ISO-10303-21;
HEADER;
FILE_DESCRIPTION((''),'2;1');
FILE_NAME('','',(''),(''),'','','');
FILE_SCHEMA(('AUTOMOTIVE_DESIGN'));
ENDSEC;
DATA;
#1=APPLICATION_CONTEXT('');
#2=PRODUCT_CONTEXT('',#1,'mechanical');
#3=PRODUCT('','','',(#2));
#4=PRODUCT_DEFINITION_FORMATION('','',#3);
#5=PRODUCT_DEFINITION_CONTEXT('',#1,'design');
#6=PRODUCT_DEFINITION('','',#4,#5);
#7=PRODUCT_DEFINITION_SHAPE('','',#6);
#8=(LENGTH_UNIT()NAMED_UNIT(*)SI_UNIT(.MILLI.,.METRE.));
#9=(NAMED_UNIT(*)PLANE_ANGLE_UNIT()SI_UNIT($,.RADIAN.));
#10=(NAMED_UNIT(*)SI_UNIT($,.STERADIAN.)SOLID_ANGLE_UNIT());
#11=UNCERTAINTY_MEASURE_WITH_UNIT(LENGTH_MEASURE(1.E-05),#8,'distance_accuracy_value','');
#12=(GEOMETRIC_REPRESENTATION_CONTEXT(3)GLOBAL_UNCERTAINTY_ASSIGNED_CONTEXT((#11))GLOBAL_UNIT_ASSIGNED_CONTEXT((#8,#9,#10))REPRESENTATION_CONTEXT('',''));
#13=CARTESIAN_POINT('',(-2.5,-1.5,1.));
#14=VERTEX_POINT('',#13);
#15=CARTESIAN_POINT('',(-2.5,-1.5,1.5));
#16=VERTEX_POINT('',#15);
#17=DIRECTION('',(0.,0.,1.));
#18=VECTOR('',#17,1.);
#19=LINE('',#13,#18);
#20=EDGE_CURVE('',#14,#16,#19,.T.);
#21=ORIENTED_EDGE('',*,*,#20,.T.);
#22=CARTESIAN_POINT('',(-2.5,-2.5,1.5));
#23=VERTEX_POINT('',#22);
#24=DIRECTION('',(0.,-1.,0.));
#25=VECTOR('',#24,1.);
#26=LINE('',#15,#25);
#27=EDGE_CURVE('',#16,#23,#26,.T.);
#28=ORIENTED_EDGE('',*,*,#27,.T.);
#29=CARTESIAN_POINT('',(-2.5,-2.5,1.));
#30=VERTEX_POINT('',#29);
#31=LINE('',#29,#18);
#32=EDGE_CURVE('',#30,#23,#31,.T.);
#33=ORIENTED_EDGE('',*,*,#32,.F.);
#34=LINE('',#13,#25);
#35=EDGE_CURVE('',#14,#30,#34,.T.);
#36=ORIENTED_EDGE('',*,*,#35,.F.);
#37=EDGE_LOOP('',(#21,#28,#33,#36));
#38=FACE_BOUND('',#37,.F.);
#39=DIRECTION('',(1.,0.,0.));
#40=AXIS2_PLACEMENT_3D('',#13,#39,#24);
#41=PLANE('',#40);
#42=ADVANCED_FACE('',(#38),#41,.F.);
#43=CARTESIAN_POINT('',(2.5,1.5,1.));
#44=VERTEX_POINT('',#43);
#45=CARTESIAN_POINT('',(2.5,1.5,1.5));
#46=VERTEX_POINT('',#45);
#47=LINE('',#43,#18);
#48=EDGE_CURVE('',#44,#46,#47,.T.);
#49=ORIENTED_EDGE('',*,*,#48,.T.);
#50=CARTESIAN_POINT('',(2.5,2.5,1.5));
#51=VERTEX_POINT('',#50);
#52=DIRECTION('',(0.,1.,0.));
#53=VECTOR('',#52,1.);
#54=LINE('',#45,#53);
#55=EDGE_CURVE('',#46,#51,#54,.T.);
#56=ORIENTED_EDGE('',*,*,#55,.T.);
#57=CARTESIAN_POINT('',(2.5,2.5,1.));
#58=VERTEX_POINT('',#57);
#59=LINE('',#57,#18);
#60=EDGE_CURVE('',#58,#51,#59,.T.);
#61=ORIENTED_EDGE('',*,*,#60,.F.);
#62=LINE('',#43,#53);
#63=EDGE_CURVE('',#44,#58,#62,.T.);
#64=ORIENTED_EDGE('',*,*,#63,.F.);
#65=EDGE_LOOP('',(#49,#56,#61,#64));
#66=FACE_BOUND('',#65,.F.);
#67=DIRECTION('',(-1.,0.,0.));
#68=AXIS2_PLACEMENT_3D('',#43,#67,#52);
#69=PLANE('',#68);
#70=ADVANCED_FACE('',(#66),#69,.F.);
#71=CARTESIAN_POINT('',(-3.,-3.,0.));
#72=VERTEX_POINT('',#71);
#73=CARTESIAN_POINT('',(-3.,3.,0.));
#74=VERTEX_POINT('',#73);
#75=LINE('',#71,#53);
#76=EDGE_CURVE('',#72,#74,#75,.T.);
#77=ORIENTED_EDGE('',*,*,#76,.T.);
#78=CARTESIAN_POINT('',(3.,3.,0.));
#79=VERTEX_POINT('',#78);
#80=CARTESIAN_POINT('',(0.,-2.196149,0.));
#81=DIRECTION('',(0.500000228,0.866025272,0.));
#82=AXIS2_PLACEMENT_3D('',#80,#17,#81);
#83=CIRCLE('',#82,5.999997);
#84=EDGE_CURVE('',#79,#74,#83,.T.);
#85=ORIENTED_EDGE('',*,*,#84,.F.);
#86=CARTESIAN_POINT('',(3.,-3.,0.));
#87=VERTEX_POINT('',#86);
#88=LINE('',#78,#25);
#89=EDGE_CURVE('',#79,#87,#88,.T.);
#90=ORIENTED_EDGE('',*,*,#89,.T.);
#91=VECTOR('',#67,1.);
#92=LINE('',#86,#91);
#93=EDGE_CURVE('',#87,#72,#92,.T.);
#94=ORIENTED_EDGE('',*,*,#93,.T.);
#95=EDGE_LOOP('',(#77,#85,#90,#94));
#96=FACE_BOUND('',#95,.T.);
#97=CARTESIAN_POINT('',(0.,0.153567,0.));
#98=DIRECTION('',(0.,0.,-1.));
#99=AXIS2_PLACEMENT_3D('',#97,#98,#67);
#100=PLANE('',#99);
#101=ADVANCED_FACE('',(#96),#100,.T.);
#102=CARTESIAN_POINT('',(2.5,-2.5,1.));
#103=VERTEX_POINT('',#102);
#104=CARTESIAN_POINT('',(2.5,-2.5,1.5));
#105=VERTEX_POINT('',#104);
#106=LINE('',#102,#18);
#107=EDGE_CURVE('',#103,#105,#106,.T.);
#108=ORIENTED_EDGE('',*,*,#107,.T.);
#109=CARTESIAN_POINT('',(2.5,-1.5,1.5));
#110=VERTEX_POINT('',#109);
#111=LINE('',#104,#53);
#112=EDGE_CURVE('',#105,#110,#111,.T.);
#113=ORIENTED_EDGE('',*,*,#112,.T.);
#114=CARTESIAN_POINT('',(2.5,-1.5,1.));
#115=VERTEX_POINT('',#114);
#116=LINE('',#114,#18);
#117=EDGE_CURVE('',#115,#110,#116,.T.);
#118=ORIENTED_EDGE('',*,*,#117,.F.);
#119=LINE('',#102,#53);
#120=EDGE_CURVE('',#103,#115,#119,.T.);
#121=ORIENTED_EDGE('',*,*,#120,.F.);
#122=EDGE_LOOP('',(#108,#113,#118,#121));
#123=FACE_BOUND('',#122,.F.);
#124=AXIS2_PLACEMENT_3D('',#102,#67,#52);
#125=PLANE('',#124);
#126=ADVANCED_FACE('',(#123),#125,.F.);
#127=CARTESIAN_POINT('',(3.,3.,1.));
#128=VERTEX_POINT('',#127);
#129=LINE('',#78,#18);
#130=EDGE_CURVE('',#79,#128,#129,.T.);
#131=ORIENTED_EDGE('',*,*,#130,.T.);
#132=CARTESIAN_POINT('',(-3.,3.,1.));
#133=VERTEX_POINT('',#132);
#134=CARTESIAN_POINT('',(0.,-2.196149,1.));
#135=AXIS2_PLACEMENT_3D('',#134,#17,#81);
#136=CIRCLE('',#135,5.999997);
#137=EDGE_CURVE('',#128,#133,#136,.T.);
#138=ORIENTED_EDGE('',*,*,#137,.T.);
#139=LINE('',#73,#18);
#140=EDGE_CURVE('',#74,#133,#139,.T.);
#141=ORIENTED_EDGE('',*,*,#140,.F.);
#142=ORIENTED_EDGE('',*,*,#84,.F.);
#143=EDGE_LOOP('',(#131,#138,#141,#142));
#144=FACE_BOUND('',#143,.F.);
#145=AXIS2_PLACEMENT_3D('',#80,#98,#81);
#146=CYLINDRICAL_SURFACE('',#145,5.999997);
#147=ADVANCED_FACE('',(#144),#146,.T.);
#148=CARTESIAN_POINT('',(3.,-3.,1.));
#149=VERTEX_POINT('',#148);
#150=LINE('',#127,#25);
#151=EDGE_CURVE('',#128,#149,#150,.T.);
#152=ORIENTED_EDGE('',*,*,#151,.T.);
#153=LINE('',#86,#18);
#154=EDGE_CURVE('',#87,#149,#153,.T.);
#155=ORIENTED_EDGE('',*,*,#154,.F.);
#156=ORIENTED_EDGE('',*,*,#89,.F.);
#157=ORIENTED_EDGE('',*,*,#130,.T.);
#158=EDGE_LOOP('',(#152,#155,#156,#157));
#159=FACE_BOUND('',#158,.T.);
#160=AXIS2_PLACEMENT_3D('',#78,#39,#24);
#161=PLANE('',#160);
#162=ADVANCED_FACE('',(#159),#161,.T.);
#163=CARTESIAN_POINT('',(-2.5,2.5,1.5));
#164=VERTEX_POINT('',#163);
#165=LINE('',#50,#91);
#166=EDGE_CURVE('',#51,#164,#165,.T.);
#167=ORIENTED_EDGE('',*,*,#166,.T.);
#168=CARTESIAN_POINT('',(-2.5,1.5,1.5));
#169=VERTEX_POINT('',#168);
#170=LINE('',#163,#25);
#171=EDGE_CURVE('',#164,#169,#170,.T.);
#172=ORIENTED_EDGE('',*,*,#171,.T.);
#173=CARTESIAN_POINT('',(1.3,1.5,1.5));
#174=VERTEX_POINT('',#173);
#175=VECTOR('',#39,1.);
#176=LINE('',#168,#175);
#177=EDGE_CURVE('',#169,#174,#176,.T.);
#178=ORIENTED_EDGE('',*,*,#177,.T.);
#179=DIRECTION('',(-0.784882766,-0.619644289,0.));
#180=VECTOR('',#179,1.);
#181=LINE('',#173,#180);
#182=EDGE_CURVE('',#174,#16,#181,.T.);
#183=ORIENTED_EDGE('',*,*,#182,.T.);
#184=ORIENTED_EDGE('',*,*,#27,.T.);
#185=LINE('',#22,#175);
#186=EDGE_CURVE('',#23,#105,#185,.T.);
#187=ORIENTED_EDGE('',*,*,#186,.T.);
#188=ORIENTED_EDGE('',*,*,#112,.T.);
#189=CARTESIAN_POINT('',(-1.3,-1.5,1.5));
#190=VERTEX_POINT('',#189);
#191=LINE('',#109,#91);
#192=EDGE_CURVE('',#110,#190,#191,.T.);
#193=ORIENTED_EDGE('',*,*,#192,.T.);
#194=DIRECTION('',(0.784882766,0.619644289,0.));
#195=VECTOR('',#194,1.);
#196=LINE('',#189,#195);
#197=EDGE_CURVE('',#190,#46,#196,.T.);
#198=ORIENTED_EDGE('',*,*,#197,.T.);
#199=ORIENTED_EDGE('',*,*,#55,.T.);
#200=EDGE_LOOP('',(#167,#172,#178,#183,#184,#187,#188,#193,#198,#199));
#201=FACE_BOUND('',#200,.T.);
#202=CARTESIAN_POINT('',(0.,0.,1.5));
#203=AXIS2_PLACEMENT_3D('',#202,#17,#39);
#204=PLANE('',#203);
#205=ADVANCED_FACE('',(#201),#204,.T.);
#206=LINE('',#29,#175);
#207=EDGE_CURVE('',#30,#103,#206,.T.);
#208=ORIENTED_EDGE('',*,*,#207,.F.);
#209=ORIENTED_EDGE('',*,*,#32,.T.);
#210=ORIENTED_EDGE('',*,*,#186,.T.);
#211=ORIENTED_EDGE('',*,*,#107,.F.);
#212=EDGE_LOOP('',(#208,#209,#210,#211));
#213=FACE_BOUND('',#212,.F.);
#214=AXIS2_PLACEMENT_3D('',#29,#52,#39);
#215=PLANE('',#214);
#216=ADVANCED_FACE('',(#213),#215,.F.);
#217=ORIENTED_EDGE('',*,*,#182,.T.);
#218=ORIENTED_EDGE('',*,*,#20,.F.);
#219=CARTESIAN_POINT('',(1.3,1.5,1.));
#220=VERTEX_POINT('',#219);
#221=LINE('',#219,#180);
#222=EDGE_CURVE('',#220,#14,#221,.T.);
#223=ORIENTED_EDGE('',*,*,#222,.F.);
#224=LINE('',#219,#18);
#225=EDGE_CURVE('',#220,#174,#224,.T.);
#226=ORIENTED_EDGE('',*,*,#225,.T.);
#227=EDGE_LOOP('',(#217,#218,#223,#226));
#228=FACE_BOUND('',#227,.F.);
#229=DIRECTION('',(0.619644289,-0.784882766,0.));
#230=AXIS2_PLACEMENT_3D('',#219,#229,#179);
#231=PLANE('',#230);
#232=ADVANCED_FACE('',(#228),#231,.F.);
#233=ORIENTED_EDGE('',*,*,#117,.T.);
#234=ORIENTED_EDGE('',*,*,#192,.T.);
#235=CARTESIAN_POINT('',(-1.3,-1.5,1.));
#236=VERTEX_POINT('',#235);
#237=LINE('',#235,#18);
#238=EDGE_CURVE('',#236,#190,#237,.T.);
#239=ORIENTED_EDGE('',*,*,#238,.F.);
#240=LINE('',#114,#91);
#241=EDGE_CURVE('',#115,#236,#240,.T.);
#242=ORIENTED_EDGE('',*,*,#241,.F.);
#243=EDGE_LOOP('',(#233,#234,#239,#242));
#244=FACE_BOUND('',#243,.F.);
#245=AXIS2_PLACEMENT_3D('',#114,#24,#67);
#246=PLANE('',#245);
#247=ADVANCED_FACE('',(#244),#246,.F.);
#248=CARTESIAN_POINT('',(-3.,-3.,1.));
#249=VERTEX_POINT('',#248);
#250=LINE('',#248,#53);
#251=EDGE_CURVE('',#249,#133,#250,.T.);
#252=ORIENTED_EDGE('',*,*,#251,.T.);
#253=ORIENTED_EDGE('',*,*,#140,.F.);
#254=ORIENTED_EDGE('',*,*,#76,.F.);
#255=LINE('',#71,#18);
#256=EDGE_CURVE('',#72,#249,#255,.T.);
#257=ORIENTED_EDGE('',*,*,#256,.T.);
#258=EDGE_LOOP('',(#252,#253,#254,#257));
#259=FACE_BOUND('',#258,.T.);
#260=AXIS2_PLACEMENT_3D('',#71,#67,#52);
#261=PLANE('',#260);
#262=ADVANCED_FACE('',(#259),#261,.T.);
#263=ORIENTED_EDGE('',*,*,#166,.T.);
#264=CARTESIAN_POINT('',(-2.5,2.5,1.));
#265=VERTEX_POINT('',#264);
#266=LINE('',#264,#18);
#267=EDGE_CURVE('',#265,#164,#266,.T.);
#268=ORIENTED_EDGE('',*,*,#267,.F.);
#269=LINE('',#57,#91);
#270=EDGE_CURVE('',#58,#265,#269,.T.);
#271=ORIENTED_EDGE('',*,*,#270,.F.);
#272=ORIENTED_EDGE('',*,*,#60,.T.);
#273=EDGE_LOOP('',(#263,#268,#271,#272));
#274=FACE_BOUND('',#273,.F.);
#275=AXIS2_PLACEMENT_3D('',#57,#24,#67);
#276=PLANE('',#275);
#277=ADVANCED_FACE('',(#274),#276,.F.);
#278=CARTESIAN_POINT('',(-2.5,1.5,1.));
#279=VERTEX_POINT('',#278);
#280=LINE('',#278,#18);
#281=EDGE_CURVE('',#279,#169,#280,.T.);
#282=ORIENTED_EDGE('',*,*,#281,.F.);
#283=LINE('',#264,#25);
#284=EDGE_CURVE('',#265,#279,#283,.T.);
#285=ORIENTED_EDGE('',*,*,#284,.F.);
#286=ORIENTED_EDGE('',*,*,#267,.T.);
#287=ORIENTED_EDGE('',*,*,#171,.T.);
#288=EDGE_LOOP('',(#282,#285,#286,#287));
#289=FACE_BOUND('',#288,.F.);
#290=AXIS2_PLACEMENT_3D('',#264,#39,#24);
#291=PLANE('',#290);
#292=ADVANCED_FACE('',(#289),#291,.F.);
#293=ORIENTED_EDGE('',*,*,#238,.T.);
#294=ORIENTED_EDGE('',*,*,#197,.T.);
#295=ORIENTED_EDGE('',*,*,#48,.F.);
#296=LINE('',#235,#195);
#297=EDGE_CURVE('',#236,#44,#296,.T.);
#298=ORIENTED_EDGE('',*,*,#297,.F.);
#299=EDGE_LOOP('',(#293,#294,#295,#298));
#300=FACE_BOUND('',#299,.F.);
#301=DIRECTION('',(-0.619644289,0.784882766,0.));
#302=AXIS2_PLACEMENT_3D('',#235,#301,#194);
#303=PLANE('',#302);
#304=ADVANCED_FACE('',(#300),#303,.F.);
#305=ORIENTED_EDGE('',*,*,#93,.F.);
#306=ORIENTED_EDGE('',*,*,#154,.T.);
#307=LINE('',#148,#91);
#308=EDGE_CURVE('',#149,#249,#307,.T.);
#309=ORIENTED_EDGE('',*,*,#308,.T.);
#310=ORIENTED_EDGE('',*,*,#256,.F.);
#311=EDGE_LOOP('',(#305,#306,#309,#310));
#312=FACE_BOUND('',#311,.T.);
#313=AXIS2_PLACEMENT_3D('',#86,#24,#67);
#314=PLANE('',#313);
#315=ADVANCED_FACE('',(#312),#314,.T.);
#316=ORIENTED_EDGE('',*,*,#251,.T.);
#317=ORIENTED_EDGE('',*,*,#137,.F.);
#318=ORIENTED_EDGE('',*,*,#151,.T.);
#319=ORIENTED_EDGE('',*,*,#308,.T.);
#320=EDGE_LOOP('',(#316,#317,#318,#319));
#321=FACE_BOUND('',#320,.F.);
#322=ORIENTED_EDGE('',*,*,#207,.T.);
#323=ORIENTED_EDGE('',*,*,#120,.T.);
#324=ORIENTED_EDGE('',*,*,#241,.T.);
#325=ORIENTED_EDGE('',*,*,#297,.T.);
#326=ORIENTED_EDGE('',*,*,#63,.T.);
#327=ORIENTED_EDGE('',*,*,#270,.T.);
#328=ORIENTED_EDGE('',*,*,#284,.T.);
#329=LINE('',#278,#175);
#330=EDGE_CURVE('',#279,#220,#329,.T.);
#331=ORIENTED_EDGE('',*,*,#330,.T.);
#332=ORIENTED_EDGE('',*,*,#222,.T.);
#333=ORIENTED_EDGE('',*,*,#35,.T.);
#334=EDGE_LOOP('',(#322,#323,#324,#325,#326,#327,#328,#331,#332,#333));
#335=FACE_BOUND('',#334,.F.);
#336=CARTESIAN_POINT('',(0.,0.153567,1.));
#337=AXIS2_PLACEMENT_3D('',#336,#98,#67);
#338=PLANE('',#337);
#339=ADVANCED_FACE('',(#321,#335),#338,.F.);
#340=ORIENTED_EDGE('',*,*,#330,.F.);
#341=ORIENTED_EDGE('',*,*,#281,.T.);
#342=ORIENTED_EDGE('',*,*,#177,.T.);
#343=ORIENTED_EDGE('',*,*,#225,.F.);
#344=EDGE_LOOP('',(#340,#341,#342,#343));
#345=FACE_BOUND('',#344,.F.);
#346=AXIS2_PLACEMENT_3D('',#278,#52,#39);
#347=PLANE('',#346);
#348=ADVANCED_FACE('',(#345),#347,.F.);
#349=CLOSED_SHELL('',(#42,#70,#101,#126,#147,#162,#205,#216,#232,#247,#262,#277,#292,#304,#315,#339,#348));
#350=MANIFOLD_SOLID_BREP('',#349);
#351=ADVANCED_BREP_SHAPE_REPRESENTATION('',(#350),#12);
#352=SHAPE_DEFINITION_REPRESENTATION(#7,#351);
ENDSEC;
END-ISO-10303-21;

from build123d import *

# Parameters (mm, degrees)
PAD_DEPTH    = 1
PAD001_DEPTH = 0.5


with BuildPart() as part:
    # Sketch → Pad (new body)
    with BuildSketch(Plane.XY):
        with BuildLine():
            Line((3, 3), (3, -3))
            Line((3, -3), (-3, -3))
            Line((-3, -3), (-3, 3))
            ThreePointArc((3, 3), (0, 3.803848), (-3, 3))
        make_face()
    extrude(amount=PAD_DEPTH)

    # Sketch001 → Pad001 (new body)
    with BuildSketch(Plane.XY.offset(1)):
        Polygon((-2.5, 2.5), (-2.5, 1.5), (1.3, 1.5), (-2.5, -1.5), (-2.5, -2.5), (2.5, -2.5), (2.5, -1.5), (-1.3, -1.5), (2.5, 1.5), (2.5, 2.5), align=None)
    extrude(amount=PAD001_DEPTH)


solid = part.part
